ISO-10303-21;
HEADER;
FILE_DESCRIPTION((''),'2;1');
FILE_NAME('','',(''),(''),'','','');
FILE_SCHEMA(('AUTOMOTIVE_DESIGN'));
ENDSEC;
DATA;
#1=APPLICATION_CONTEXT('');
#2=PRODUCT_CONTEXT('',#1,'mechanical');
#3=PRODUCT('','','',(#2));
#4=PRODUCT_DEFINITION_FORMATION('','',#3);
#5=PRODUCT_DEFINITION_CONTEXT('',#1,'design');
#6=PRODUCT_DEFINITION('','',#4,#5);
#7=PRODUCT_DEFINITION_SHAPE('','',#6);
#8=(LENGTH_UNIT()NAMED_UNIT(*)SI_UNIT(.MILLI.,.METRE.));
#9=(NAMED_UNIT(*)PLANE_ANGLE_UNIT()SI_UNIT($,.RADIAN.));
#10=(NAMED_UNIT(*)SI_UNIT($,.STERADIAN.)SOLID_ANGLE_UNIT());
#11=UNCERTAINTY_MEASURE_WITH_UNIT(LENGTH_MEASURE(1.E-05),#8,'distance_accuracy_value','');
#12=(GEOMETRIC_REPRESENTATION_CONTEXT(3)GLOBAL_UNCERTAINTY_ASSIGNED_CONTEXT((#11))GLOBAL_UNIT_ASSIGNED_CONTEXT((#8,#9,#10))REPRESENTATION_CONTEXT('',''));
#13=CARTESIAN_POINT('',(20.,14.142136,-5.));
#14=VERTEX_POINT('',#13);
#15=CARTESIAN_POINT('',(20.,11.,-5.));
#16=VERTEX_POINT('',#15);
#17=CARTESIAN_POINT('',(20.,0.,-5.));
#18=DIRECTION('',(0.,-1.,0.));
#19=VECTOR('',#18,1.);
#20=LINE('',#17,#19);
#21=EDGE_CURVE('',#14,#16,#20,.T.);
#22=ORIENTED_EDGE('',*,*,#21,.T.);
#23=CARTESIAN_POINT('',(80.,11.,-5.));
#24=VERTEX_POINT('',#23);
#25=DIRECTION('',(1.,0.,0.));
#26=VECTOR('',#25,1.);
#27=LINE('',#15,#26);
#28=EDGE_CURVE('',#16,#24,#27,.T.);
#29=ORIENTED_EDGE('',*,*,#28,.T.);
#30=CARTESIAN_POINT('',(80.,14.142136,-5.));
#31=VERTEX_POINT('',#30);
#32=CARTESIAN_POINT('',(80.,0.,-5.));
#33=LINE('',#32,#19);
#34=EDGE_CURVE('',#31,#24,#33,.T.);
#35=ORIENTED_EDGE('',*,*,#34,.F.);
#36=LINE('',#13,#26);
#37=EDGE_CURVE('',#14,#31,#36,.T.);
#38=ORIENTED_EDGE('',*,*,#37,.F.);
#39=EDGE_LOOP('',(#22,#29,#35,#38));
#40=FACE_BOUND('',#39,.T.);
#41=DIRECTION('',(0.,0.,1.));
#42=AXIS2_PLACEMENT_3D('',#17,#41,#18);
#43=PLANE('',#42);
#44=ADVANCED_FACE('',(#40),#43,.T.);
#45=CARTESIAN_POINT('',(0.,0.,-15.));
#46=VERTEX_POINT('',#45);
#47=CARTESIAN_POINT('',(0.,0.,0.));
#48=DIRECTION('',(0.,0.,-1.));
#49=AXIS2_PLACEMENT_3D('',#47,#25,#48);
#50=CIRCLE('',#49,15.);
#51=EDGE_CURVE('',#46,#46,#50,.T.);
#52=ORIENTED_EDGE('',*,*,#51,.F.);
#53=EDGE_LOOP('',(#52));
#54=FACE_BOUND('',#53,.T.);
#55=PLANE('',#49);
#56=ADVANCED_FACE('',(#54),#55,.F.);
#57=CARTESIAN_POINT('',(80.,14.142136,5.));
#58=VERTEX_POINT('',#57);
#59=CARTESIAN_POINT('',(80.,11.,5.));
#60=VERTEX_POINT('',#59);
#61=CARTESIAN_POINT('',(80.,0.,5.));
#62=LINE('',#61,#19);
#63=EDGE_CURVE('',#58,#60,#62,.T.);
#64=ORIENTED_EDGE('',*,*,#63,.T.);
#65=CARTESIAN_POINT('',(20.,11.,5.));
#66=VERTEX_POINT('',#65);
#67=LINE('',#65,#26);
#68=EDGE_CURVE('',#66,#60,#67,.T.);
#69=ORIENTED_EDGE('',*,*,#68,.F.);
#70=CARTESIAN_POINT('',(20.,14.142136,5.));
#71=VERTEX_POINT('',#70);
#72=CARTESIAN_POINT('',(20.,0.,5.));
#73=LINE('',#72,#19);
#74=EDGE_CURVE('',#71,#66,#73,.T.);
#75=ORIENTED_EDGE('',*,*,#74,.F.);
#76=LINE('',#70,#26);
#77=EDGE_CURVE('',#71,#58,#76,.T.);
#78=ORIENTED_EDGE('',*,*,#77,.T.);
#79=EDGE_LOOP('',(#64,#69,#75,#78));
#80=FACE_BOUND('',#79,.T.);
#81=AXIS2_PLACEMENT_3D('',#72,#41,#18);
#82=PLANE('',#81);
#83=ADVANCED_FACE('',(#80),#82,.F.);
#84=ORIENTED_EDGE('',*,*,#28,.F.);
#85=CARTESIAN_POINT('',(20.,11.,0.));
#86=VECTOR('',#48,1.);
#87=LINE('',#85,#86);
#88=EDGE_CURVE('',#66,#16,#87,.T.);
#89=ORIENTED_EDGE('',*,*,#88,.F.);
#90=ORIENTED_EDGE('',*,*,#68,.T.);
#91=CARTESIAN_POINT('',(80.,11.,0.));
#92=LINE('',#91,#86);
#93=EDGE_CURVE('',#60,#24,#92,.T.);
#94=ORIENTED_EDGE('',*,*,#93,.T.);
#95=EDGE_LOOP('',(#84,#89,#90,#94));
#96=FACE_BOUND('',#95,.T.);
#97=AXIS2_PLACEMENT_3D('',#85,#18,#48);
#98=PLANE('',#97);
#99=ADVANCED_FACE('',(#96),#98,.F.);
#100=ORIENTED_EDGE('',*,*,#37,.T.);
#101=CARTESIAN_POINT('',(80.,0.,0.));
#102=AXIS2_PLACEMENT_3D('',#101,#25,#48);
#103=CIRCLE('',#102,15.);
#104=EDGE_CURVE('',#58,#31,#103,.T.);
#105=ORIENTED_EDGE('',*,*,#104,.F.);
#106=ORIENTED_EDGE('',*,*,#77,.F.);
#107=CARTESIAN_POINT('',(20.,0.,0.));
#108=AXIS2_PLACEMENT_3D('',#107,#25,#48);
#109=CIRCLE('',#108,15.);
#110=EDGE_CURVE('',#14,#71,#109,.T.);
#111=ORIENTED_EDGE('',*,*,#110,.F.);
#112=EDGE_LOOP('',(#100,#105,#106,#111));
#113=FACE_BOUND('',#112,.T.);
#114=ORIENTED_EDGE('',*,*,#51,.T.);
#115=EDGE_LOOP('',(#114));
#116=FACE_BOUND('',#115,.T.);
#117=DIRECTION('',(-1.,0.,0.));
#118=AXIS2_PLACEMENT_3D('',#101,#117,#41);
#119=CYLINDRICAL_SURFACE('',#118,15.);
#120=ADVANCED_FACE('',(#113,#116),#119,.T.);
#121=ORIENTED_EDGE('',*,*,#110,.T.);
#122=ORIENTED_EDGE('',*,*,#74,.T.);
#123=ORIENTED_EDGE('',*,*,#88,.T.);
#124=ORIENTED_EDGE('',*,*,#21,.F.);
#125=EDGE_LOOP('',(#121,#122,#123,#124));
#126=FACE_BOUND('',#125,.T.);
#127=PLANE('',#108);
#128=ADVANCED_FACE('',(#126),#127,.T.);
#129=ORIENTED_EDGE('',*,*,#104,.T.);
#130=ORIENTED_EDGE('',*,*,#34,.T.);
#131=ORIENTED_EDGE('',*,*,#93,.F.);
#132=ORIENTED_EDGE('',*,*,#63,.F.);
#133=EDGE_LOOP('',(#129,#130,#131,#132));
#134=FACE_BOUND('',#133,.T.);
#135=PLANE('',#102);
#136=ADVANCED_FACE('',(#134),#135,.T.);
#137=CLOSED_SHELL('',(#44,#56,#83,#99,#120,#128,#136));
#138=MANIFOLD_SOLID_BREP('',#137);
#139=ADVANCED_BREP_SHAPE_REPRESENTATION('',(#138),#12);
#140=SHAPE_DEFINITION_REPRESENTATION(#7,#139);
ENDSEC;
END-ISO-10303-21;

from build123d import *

# Parameters (mm, degrees)
SKETCH1_R           = 15
BOSS_EXTRUDE1_DEPTH = 80
CUT_EXTRUDE2_START  = -60
CUT_EXTRUDE2_DEPTH  = 60


with BuildPart() as part:
    # Sketch1 → Boss-Extrude1 (new body)
    with BuildSketch(Plane(origin=(0, 0, 0), x_dir=(0, 0, -1), z_dir=(1, 0, 0))):
        Circle(SKETCH1_R)
    extrude(amount=BOSS_EXTRUDE1_DEPTH)

    # Sketch2 → Cut-Extrude2 (cut)
    with BuildSketch(Plane(origin=(80, 0, 0), x_dir=(0, 0, -1), z_dir=(1, 0, 0)).offset(CUT_EXTRUDE2_START)):
        with BuildLine():
            ThreePointArc((5, 14.142135624), (2.536529681, 14.783978395), (0, 15))
            ThreePointArc((0, 15), (-2.536529681, 14.783978395), (-5, 14.142135624))
            Line((-5, 14.142135624), (-5, 11))
            Line((-5, 11), (0, 11))
            Line((0, 11), (5, 11))
            Line((5, 11), (5, 14.142135624))
        make_face()
    extrude(amount=CUT_EXTRUDE2_DEPTH, mode=Mode.SUBTRACT)


solid = part.part
